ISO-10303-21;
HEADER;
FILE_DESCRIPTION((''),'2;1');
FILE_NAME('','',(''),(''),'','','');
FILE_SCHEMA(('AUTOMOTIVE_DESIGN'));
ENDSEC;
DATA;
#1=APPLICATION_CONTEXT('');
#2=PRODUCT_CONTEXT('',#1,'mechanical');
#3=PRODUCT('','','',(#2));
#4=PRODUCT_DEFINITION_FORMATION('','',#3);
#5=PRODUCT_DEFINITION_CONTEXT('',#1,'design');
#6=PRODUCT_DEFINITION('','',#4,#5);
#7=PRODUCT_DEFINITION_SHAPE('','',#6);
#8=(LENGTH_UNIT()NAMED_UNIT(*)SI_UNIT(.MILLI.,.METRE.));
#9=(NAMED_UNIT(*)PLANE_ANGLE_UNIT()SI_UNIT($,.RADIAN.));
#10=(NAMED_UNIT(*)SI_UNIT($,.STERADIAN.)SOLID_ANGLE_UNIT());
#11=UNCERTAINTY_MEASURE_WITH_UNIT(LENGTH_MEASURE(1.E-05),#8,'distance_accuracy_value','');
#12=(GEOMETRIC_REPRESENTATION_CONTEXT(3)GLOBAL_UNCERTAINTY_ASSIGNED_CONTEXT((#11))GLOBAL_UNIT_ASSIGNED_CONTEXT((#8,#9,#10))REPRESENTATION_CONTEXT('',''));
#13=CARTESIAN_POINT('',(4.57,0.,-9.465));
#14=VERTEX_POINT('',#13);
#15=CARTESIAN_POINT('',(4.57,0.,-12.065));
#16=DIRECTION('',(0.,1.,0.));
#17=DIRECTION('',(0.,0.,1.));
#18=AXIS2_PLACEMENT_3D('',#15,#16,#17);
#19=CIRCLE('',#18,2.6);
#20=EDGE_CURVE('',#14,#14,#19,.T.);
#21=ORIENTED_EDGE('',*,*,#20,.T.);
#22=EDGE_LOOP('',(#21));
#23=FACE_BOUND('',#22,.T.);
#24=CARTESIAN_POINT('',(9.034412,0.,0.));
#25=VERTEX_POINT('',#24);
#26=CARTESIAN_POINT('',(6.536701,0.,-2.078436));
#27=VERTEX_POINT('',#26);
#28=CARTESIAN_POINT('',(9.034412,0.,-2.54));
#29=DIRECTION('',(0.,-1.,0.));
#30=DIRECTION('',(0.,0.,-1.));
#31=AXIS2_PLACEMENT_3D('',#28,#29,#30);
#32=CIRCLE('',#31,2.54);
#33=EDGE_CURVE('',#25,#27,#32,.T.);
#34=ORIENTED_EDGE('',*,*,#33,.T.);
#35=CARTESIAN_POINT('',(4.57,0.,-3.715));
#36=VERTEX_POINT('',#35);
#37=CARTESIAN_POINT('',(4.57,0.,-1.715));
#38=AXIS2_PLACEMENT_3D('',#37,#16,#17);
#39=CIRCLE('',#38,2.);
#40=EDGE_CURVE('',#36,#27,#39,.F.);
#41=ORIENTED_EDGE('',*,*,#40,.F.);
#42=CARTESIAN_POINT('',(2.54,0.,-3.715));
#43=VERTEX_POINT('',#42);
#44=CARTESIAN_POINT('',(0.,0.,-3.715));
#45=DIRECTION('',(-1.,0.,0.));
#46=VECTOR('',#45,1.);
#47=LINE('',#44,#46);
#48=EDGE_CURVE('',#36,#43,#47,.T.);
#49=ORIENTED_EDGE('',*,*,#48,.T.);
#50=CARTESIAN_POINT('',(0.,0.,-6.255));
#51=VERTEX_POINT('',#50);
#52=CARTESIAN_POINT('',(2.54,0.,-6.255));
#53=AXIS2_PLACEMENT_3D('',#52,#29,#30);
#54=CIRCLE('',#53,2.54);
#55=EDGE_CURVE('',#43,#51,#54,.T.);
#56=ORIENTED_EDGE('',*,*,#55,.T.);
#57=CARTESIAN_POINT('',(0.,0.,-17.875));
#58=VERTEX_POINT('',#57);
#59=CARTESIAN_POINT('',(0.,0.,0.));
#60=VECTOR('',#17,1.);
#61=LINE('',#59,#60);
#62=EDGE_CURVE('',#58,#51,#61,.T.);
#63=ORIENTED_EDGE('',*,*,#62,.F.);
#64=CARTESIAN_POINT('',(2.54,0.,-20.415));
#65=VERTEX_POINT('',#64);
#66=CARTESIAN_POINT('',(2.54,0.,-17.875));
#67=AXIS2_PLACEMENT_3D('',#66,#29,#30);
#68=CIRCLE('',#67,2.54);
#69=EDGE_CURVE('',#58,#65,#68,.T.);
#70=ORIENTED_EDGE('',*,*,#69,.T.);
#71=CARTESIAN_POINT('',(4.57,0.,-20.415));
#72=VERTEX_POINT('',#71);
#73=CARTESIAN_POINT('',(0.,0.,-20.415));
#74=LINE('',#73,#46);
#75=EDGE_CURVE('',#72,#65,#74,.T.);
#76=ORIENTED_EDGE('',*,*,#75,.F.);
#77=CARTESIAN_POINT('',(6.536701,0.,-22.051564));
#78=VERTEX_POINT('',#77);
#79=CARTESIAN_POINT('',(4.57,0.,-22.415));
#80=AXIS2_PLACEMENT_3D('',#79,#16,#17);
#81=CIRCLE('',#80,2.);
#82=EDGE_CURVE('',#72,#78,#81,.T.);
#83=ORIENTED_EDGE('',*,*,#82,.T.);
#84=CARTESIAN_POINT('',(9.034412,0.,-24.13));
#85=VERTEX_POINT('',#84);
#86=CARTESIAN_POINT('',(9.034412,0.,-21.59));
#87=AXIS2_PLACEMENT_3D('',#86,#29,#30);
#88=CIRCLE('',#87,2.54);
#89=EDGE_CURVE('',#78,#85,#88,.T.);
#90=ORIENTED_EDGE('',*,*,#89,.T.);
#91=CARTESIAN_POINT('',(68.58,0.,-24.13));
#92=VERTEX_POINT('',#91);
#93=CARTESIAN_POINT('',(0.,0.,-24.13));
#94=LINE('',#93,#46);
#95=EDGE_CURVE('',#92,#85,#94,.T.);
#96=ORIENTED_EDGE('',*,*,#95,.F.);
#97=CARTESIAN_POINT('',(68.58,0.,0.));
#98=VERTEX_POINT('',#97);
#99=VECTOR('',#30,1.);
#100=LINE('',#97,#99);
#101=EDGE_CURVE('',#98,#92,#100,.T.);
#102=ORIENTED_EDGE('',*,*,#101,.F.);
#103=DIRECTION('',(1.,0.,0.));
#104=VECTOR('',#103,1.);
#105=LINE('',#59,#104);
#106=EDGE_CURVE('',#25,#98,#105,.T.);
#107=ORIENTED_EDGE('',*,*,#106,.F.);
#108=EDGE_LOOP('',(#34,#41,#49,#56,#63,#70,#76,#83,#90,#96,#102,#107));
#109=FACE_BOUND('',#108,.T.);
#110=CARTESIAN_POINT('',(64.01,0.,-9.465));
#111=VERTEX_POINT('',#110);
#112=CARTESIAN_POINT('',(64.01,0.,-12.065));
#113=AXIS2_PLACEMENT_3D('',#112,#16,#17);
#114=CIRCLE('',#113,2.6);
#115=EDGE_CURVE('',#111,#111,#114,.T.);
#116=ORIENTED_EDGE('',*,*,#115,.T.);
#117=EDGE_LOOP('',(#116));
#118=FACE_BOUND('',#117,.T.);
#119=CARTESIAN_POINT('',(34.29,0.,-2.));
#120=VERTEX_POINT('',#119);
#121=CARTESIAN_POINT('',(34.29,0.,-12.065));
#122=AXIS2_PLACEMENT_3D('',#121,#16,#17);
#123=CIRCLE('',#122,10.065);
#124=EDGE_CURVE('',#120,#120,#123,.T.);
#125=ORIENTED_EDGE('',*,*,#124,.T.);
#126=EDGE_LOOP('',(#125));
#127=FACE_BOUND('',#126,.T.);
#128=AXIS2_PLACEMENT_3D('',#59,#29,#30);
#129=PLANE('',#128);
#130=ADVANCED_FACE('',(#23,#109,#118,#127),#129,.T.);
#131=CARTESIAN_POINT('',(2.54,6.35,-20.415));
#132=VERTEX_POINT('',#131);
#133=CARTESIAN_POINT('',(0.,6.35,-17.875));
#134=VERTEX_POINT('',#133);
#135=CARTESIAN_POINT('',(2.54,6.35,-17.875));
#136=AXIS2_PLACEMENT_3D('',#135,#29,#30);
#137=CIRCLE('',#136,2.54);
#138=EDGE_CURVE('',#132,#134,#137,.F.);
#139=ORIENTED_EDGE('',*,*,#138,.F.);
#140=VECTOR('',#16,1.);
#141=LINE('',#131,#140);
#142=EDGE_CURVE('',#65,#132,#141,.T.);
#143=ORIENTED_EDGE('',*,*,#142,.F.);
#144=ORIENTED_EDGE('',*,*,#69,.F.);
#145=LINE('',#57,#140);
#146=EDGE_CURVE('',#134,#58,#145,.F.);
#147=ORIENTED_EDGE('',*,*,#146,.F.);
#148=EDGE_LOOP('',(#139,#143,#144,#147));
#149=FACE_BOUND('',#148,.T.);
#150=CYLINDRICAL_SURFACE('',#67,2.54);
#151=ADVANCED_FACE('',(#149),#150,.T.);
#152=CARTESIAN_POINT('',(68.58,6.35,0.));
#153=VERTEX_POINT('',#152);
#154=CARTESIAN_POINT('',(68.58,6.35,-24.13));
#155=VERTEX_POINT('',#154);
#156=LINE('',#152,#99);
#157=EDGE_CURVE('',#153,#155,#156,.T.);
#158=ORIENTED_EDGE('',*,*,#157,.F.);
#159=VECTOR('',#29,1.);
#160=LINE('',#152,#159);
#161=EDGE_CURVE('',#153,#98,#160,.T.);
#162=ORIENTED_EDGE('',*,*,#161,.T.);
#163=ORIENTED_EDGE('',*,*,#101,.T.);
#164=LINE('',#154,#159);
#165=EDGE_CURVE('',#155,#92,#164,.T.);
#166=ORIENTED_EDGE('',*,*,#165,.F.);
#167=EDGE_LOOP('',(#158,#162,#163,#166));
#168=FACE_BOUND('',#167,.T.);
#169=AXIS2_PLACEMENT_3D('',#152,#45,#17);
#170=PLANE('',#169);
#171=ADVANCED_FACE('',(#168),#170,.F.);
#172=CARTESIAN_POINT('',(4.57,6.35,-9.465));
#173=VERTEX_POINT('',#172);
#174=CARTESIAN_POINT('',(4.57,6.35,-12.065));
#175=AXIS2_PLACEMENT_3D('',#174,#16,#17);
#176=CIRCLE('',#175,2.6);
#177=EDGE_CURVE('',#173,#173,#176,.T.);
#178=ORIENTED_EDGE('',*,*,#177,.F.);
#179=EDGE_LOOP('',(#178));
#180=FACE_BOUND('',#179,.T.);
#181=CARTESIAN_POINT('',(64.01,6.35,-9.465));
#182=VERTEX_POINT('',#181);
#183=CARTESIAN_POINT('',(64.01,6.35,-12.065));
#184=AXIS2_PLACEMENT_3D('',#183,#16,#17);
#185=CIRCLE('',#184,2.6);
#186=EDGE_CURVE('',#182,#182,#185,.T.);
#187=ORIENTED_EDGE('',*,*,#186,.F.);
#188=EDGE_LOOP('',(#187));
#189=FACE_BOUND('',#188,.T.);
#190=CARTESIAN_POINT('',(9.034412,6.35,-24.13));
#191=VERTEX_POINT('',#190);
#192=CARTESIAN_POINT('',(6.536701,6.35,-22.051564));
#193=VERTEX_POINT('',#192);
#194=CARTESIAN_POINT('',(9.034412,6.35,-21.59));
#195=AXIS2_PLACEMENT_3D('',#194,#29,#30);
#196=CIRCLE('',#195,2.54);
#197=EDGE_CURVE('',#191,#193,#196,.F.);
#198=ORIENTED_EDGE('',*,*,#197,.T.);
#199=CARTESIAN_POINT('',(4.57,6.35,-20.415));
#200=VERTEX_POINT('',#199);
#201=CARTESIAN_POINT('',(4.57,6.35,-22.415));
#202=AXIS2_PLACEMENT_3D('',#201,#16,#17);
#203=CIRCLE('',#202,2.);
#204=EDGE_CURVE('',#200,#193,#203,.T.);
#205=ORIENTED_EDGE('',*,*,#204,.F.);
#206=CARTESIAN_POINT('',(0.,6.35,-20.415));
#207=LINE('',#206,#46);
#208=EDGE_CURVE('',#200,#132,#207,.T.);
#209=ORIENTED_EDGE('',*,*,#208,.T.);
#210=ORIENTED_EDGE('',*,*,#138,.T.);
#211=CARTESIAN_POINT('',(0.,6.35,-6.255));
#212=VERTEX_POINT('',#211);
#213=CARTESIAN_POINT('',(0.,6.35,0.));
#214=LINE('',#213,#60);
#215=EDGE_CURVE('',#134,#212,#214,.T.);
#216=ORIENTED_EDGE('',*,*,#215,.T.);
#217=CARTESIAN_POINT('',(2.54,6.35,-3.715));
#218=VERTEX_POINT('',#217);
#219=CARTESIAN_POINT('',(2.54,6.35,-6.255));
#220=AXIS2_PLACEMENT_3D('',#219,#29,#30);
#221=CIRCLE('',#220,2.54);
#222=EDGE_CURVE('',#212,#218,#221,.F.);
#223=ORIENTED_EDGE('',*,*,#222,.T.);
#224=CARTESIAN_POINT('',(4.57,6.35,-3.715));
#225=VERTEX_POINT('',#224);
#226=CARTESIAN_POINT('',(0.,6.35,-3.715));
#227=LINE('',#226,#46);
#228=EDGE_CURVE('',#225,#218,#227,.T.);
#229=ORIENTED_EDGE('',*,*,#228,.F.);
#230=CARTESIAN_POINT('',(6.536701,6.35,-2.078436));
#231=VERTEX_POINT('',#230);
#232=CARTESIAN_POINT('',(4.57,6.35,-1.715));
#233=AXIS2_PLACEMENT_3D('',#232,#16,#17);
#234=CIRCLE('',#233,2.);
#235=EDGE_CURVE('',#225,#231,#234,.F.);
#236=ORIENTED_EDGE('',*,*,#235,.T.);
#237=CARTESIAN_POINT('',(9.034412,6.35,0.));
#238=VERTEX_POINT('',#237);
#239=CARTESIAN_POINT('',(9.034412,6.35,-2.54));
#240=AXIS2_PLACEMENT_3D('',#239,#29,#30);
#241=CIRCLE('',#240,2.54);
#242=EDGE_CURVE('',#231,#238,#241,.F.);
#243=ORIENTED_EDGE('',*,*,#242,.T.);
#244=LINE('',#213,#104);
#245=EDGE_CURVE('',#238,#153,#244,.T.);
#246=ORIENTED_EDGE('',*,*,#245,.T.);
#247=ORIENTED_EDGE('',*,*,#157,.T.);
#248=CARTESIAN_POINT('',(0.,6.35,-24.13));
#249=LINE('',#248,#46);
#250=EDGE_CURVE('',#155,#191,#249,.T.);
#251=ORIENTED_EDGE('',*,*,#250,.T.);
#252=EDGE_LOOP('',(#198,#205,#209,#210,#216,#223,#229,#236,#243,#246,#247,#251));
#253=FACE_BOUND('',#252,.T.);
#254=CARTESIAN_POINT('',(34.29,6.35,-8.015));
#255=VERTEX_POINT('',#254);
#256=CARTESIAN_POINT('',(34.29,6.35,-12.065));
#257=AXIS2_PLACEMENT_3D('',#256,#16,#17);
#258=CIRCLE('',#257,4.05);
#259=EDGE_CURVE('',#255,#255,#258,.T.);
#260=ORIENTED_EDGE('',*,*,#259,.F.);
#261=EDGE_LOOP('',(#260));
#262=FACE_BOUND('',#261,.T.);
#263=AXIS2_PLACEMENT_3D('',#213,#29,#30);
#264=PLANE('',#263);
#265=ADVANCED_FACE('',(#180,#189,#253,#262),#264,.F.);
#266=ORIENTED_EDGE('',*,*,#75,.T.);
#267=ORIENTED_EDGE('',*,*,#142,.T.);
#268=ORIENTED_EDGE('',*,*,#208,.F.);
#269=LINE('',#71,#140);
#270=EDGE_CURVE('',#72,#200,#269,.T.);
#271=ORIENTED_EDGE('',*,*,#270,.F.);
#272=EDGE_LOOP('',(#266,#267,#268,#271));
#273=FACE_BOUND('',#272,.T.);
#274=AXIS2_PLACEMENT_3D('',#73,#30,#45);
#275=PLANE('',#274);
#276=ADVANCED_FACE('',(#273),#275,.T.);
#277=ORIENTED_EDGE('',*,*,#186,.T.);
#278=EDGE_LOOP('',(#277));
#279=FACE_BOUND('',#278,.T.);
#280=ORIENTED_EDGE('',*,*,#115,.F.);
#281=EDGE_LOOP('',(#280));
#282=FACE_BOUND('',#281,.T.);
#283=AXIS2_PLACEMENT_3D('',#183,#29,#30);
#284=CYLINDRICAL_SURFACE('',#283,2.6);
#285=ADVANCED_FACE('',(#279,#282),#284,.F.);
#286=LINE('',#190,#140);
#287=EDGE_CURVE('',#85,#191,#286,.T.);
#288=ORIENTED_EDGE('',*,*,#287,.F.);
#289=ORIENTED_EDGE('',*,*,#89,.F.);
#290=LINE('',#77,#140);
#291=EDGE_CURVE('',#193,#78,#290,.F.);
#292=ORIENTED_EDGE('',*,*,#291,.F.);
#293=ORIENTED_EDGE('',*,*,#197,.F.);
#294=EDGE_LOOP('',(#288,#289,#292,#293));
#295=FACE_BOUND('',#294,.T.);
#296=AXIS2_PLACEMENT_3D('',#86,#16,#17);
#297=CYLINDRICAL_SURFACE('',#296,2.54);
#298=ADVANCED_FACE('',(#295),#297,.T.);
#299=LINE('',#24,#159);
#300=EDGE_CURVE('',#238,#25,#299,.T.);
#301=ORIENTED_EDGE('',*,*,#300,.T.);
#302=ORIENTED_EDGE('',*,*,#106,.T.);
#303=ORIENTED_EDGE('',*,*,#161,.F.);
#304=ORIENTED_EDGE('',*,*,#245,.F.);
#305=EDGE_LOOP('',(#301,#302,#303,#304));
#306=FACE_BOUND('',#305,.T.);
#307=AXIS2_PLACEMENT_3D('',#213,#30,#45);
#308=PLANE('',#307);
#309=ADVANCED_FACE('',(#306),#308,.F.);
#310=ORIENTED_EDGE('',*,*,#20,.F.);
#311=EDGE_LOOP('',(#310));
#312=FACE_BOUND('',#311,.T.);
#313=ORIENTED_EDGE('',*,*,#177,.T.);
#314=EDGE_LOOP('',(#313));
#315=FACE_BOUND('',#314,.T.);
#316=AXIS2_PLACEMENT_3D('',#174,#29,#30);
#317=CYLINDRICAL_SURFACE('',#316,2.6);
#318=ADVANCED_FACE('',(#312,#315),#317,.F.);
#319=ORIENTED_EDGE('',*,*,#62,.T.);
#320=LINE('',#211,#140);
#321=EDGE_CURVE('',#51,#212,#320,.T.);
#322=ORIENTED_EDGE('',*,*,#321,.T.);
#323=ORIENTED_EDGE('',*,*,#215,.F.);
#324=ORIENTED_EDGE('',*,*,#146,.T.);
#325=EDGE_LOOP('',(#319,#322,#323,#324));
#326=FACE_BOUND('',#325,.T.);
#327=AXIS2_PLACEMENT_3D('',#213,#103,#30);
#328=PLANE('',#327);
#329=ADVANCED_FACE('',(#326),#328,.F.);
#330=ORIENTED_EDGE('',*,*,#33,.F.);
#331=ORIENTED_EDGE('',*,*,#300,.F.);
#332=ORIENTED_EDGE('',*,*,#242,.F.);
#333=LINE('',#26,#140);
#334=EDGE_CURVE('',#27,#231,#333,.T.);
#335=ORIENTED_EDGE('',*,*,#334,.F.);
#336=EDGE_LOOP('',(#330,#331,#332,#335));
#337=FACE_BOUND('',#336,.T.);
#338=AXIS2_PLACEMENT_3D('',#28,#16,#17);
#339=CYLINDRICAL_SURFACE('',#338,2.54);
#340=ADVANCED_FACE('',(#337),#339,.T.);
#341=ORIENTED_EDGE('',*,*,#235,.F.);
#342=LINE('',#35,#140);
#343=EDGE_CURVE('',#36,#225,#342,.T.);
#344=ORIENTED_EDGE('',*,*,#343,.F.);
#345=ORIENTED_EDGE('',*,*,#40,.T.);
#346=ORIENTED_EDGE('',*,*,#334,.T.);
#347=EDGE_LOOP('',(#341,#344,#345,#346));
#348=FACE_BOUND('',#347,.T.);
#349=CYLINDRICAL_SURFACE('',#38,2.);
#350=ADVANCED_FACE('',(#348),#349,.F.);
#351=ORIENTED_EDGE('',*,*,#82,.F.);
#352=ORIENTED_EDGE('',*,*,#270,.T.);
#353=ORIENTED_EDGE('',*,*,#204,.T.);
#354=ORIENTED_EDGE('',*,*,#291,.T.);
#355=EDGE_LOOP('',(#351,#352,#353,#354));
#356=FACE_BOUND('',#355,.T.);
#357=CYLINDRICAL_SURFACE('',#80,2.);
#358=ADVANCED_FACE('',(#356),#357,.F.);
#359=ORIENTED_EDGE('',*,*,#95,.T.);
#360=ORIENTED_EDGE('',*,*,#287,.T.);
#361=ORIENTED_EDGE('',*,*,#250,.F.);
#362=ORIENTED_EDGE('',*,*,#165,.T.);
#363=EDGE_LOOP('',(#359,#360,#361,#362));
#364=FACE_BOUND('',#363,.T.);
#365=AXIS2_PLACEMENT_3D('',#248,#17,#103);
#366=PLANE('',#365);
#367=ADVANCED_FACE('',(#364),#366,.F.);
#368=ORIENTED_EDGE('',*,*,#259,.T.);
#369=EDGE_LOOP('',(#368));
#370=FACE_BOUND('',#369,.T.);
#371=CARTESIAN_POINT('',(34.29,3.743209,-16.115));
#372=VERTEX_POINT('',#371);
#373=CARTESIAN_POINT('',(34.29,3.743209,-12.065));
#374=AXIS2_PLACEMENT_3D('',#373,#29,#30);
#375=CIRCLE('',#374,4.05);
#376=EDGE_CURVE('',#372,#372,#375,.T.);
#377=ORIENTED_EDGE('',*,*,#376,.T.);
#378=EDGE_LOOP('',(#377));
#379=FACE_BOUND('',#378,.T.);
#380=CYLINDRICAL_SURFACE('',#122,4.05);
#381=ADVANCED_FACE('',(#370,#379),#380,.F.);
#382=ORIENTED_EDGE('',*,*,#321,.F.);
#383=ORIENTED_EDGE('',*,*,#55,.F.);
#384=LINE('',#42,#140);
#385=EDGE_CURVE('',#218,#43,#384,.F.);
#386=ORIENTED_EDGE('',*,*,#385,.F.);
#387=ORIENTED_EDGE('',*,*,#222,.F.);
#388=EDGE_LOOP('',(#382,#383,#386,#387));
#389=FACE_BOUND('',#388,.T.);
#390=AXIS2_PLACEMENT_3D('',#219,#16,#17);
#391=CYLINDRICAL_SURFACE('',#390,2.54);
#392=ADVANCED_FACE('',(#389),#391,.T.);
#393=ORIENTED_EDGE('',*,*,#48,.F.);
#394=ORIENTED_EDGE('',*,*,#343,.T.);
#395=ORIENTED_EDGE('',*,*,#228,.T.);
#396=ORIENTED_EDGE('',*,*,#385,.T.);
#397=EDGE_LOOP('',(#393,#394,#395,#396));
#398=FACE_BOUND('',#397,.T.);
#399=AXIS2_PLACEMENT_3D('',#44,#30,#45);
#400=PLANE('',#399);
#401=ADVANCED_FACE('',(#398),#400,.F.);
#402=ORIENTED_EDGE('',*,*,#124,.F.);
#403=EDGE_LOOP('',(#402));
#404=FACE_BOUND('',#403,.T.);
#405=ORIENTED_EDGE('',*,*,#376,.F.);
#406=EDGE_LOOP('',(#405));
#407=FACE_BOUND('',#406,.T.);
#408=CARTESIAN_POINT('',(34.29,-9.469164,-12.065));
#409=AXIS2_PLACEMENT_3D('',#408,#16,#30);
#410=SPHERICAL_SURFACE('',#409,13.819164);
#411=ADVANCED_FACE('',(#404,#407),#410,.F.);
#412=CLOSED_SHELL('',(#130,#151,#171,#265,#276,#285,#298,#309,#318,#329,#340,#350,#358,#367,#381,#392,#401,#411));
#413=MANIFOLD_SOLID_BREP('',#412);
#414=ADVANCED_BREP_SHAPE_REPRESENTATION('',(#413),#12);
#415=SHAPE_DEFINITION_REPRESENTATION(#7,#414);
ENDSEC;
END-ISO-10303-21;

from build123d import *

# Parameters (mm, degrees)
SKETCH2_W           = 68.58
SKETCH2_H           = 24.13
SKETCH2_R           = 2.6
BOSS_EXTRUDE1_DEPTH = 6.35
CUT_EXTRUDE1_DEPTH  = 7.35
FILLET3_R           = 2.54
SKETCH4_R           = 4.05
CUT_EXTRUDE2_DEPTH  = 7.3500001


with BuildPart() as part:
    # Sketch2 → Boss-Extrude1 (new body)
    with BuildSketch(Plane(origin=(0, 0, 0), x_dir=(1, 0, 0), z_dir=(0, 1, 0))):
        with Locations((34.29, 12.065)):
            Rectangle(SKETCH2_W, SKETCH2_H)
        with Locations((4.57, 12.065)):
            Circle(SKETCH2_R, mode=Mode.SUBTRACT)
        with Locations((64.01, 12.065)):
            Circle(SKETCH2_R, mode=Mode.SUBTRACT)
    extrude(amount=BOSS_EXTRUDE1_DEPTH)

    # Sketch3 → Cut-Extrude1 (cut, through all)
    with BuildSketch(Plane(origin=(0, 6.35, 0), x_dir=(1, 0, 0), z_dir=(0, 1, 0))):
        with BuildLine():
            Line((4.57, 3.715), (0, 3.715))
            Line((0, 3.715), (0, 0))
            Line((0, 0), (6.57, 0))
            Line((6.57, 0), (6.57, 1.715))
            ThreePointArc((6.57, 1.715), (5.984213562, 3.129213562), (4.57, 3.715))
        make_face()
        with BuildLine():
            ThreePointArc((4.57, 20.415), (5.984213562, 21.000786438), (6.57, 22.415))
            Line((6.57, 22.415), (6.57, 24.13))
            Line((6.57, 24.13), (0, 24.13))
            Line((0, 24.13), (0, 20.415))
            Line((0, 20.415), (4.57, 20.415))
        make_face()
    extrude(amount=-CUT_EXTRUDE1_DEPTH, mode=Mode.SUBTRACT)

    # Fillet3
    fillet3_edges = [part.edges().sort_by_distance(p)[0] for p in [
        (6.57, 3.175, 0),
        (0, 3.175, -3.715),
        (0, 3.175, -20.415),
        (6.57, 3.175, -24.13),
    ]]
    fillet(fillet3_edges, radius=FILLET3_R)

    # Sketch4 → Cut-Extrude2 (cut, through all)
    with BuildSketch(Plane(origin=(0, 6.35, 0), x_dir=(1, 0, 0), z_dir=(0, 1, 0))):
        with Locations((34.29, 12.065)):
            Circle(SKETCH4_R)
    extrude(amount=-CUT_EXTRUDE2_DEPTH, mode=Mode.SUBTRACT)

    # Sketch8 one side → Cut-Revolve6 (revolve, cut)
    with BuildSketch(Plane(origin=(34.29, 0, 0), x_dir=(0, 0, -1), z_dir=(1, 0, 0))):
        with BuildLine():
            Line((12.065, 0), (22.13, 0))
            ThreePointArc((22.13, 0), (17.5473974, 3.215969501), (12.065, 4.35))
            Line((12.065, 4.35), (12.065, 0))
        make_face()
    revolve(axis=Axis((34.29, 6.35, -12.065), (0, -1, 0)), mode=Mode.SUBTRACT)


solid = part.part
